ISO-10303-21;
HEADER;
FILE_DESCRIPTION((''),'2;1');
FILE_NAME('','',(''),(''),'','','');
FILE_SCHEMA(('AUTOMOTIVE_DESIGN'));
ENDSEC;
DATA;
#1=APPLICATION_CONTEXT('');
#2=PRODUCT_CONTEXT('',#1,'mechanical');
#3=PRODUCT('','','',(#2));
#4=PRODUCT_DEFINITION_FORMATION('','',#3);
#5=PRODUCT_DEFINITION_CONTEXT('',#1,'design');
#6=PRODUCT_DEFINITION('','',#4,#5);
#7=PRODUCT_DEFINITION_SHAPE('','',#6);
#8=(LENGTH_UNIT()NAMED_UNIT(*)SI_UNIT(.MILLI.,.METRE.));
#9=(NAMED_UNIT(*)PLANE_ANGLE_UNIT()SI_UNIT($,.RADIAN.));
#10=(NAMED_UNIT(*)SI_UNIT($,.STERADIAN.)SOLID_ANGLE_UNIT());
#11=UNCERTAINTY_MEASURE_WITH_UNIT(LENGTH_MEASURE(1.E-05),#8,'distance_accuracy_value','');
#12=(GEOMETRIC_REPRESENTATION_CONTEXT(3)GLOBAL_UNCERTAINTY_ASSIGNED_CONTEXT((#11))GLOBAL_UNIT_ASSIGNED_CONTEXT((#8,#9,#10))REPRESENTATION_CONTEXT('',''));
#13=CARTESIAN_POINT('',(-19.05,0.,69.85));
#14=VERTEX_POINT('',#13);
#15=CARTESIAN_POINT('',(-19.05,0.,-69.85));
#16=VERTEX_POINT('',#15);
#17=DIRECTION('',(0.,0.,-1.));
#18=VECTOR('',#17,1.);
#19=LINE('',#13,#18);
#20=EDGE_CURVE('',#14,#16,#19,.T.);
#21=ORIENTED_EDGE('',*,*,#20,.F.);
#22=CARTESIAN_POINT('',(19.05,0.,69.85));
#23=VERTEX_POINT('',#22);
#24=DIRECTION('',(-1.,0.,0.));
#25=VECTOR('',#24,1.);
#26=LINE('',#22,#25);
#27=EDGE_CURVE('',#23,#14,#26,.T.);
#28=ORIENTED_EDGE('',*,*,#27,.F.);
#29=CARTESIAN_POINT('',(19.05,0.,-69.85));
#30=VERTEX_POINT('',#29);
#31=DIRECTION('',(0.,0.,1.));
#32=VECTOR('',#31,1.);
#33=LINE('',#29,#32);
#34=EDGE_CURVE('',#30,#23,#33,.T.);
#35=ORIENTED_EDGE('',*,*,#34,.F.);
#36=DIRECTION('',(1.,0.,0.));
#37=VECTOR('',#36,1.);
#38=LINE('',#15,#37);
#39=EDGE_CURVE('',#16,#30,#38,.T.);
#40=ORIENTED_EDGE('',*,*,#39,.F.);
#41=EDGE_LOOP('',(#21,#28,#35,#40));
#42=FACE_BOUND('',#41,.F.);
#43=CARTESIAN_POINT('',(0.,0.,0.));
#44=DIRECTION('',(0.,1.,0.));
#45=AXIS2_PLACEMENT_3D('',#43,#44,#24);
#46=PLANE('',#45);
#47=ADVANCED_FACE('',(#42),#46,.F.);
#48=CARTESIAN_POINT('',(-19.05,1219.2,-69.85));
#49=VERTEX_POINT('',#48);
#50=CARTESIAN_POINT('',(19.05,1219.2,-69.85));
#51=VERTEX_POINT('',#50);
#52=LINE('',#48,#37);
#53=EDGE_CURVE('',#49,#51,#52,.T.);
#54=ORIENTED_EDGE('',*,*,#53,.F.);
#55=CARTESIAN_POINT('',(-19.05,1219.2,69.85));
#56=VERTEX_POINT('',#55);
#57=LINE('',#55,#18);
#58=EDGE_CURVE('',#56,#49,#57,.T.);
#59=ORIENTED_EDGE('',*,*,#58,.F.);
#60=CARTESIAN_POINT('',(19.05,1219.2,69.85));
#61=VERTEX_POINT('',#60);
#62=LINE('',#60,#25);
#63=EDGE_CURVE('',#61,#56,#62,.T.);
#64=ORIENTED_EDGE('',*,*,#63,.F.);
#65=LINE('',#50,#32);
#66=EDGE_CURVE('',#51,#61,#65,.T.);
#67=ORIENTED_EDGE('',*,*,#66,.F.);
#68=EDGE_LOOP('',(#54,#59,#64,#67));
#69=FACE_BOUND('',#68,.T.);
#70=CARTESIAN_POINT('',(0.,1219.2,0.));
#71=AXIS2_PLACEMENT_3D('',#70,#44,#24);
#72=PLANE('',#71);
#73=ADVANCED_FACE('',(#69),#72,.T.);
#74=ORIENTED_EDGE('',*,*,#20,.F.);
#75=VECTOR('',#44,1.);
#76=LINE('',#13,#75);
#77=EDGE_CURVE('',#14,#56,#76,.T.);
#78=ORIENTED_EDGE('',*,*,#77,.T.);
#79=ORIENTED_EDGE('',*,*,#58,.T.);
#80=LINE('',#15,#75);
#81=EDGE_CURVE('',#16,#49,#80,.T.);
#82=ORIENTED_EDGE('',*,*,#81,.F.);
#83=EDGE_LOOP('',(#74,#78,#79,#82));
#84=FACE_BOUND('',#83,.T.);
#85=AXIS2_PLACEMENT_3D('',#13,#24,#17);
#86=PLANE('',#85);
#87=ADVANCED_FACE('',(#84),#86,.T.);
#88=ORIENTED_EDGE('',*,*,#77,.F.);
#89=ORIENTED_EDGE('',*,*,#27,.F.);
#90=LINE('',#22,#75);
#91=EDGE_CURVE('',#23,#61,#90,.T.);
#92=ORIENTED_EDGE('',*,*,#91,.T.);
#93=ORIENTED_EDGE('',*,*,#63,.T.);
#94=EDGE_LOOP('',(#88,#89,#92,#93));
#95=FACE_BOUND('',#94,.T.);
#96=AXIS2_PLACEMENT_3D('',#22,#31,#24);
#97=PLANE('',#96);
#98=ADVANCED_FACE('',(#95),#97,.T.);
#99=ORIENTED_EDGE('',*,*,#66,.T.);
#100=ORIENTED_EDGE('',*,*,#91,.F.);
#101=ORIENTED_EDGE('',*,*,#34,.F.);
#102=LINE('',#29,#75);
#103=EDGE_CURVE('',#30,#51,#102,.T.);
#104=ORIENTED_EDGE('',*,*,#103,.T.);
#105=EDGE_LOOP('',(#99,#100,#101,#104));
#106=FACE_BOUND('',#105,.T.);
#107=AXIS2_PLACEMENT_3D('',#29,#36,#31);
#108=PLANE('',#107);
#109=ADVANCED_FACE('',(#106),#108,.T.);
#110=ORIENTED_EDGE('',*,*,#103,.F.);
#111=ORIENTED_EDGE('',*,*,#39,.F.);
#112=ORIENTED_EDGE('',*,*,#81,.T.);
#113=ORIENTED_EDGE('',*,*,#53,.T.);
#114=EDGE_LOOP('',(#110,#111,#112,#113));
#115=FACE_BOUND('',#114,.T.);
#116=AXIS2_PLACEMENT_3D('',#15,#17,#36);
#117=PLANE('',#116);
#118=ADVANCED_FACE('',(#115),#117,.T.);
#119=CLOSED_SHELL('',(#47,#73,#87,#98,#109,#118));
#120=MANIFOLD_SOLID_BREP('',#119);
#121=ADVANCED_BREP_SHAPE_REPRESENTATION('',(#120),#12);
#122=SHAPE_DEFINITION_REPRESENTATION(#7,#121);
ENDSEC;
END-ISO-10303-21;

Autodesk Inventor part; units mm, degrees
ref_plane "YZ Plane" through (0, 0, 0) normal (1, 0, 0) x (0, 1, 0)
ref_plane "XZ Plane" through (0, 0, 0) normal (0, 1, 0) x (-1, 0, 0)
ref_plane "XY Plane" through (0, 0, 0) normal (0, 0, 1) x (1, 0, 0)
sketch "Sketch1" plane through (0, 0, 0) normal (0, 1, 0) x (-1, 0, 0)
  line L0 (-19.05, 69.85) -> (19.05, 69.85)
  line L1 (19.05, 69.85) -> (19.05, -69.85)
  line L2 (19.05, -69.85) -> (-19.05, -69.85)
  line L3 (-19.05, -69.85) -> (-19.05, 69.85)
  line L4 (-19.05, 69.85) -> (19.05, -69.85) construction
  line L5 (19.05, 69.85) -> (-19.05, -69.85) construction
  point P0 (0, 0)
  dimension "d0" = 38.1
  dimension "d1" = 139.7
extrude "Extrusion1" add sketch "Sketch1" along normal blind 1219.2
properties part number "2x6x4' vert"
